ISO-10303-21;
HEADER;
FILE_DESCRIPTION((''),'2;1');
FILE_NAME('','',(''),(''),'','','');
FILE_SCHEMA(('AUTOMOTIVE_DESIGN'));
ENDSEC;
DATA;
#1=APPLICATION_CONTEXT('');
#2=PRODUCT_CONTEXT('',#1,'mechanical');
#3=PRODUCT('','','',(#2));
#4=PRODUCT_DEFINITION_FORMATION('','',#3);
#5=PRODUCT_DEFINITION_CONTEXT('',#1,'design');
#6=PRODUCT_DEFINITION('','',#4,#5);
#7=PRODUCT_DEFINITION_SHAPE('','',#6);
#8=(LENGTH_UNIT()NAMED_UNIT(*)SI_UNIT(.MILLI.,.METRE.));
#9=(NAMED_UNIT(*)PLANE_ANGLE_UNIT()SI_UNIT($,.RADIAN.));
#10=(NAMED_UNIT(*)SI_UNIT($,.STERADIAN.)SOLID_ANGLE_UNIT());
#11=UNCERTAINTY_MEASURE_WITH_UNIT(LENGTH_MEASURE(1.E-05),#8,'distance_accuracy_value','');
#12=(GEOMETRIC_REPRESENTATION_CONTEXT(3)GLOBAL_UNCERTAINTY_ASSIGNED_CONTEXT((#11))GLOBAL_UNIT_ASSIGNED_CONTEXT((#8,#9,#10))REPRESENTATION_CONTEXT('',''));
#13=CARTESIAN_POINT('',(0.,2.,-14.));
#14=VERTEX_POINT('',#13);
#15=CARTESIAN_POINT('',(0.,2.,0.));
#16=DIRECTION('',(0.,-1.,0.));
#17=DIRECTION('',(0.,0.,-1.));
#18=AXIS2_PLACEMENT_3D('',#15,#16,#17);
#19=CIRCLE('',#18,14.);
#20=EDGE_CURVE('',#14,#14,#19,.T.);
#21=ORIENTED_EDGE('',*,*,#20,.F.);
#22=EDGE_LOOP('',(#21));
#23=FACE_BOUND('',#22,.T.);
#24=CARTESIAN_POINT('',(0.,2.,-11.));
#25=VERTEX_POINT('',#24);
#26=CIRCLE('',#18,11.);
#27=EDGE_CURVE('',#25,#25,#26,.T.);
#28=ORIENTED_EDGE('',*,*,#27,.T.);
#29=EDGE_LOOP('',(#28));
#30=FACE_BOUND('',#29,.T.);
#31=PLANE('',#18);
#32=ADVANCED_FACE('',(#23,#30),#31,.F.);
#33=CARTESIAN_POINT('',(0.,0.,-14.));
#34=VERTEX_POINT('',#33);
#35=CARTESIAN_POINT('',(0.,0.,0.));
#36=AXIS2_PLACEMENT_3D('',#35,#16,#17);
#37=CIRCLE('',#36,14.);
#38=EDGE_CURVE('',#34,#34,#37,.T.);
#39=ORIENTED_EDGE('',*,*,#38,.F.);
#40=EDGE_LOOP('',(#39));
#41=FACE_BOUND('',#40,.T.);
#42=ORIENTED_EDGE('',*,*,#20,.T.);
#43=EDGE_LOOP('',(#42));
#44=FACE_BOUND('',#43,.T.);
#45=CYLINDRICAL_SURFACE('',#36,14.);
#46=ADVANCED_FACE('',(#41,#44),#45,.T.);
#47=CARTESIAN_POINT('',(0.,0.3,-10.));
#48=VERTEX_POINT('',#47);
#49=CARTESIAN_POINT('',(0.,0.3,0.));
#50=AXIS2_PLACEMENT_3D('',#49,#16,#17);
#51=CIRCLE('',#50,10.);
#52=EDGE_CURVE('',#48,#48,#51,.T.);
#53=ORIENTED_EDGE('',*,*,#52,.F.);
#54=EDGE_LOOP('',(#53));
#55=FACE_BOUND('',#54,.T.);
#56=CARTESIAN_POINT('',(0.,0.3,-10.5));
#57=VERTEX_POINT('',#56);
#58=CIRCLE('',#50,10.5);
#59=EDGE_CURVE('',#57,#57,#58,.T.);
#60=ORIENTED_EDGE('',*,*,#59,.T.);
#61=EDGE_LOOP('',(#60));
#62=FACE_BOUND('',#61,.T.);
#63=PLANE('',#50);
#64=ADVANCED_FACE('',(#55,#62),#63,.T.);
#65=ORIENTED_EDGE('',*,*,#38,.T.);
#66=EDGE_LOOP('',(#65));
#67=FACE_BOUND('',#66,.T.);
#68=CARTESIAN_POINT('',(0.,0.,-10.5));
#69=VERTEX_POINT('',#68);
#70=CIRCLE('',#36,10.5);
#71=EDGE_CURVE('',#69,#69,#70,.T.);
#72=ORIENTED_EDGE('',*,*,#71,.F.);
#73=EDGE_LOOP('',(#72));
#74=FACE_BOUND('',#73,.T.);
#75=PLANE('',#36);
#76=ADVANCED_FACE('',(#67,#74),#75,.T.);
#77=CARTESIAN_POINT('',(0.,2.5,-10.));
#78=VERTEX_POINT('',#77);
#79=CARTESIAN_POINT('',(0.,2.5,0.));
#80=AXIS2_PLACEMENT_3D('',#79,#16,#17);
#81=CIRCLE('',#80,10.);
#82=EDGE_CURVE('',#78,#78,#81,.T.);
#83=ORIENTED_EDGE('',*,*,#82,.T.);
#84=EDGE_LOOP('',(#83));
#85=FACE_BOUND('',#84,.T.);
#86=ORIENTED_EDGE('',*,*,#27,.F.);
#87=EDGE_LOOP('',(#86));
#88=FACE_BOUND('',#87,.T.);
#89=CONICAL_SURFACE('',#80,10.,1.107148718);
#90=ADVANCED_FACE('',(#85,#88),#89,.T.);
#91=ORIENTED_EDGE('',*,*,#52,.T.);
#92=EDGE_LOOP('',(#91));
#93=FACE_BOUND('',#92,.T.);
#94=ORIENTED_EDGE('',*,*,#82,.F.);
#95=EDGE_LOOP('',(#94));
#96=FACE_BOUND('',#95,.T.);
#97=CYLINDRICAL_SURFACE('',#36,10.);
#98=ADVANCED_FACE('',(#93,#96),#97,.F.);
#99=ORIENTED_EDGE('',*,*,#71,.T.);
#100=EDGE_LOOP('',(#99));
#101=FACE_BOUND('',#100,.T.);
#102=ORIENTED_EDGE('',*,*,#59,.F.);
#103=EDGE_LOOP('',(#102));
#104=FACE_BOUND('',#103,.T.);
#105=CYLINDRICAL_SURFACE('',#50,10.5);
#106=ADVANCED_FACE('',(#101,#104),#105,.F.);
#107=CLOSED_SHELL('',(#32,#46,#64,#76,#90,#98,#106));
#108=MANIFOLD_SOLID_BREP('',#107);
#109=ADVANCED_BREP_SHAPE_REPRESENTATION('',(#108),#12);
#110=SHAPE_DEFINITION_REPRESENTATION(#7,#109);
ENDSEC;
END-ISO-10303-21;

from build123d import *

# Parameters (mm, degrees)
SKETCH2_R          = 10.5
SKETCH2_R_2        = 10
CUT_EXTRUDE1_DEPTH = 0.3


with BuildPart() as part:
    # Sketch1 → Revolve1 (revolve)
    with BuildSketch(Plane.XY):
        Polygon((10, 0), (14, 0), (14, 2), (11, 2), (10, 2), align=None)
        Polygon((10, 2), (11, 2), (10, 2.5), align=None)
    revolve(axis=Axis((0, 0, 0), (0, 1, 0)))

    # Sketch2 → Cut-Extrude1 (cut)
    with BuildSketch(Plane.XZ):
        Circle(SKETCH2_R)
        Circle(SKETCH2_R_2, mode=Mode.SUBTRACT)
    extrude(amount=-CUT_EXTRUDE1_DEPTH, mode=Mode.SUBTRACT)


solid = part.part
